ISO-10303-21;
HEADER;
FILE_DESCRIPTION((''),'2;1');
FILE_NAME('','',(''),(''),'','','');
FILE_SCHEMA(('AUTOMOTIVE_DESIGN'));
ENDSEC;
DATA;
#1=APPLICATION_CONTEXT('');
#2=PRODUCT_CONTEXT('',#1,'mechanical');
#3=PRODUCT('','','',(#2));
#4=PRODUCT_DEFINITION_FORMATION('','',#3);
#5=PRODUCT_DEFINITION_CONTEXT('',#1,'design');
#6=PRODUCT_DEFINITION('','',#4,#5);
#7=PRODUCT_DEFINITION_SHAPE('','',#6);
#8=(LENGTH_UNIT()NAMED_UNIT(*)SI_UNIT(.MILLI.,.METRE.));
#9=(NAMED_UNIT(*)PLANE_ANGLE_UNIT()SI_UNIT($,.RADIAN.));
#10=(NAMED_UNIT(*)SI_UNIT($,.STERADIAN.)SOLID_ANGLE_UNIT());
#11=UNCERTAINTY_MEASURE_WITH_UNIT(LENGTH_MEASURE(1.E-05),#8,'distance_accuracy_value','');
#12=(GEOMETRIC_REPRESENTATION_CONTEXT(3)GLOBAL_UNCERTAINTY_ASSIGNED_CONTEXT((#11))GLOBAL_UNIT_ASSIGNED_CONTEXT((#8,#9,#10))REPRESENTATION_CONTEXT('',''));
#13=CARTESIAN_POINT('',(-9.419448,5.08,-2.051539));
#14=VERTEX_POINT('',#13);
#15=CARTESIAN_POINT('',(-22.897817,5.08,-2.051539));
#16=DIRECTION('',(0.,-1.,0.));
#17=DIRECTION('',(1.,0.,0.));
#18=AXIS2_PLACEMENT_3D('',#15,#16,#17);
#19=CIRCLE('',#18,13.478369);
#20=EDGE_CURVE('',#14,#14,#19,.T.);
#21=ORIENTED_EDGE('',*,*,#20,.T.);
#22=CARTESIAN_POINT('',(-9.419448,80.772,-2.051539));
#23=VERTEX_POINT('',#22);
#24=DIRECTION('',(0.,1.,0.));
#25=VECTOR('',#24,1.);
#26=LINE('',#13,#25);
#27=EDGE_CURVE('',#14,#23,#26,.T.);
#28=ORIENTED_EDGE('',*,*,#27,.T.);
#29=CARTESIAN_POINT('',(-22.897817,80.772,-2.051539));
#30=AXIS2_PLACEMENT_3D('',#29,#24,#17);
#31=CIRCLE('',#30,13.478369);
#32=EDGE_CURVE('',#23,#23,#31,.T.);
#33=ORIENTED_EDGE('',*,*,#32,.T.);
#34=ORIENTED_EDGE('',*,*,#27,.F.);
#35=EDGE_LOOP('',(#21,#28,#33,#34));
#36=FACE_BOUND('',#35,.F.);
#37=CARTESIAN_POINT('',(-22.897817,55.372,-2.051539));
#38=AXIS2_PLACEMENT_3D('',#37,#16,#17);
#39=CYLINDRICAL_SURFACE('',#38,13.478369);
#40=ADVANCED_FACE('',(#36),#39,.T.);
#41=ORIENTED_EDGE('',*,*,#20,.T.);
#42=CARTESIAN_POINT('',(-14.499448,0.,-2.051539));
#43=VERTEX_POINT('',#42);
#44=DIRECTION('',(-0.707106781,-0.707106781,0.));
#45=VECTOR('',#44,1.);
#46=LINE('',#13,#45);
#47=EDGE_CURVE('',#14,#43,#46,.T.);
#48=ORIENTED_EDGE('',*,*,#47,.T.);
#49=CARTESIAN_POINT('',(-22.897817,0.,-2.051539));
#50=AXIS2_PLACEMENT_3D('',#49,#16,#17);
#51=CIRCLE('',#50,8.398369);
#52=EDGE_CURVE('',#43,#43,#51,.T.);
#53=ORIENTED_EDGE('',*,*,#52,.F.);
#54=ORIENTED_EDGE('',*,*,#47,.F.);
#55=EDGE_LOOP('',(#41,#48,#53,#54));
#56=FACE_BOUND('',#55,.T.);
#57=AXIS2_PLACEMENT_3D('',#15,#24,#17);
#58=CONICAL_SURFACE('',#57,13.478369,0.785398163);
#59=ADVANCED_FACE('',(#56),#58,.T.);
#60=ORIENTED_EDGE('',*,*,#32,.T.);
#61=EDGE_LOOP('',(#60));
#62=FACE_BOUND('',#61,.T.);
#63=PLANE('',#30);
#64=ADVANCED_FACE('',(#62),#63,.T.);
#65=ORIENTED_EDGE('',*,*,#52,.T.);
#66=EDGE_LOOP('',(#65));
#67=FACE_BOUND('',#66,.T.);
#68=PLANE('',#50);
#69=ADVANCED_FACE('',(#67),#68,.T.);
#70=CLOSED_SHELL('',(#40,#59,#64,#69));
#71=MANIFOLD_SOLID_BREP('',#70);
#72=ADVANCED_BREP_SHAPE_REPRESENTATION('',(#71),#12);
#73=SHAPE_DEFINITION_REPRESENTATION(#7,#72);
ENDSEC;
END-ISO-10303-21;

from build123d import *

# Parameters (mm, degrees)
F0_R      = 13.478369
F1_DEPTH  = 55.372
F2_SIZE   = 5.08
F1_FACE_R = 13.478369
F3_DEPTH  = 25.4


with BuildPart() as f1:
    # F0 (on Front) → F1 (new body)
    with BuildSketch(Plane.XZ):
        with Locations((-22.897817, -2.051539)):
            Circle(F0_R)
    extrude(amount=-F1_DEPTH)

    # F2
    f2_edges = [f1.edges().sort_by_distance(p)[0] for p in [
        (-36.376187, 0, -2.051539),
    ]]
    chamfer(f2_edges, length=F2_SIZE)

    # F1_face (on face) → F3 (join)
    with BuildSketch(Plane(origin=(-22.897817, 55.372, -2.051539), x_dir=(1, 0, 0), z_dir=(0, 1, 0))):
        Circle(F1_FACE_R)
    extrude(amount=F3_DEPTH)


solid = f1.part
